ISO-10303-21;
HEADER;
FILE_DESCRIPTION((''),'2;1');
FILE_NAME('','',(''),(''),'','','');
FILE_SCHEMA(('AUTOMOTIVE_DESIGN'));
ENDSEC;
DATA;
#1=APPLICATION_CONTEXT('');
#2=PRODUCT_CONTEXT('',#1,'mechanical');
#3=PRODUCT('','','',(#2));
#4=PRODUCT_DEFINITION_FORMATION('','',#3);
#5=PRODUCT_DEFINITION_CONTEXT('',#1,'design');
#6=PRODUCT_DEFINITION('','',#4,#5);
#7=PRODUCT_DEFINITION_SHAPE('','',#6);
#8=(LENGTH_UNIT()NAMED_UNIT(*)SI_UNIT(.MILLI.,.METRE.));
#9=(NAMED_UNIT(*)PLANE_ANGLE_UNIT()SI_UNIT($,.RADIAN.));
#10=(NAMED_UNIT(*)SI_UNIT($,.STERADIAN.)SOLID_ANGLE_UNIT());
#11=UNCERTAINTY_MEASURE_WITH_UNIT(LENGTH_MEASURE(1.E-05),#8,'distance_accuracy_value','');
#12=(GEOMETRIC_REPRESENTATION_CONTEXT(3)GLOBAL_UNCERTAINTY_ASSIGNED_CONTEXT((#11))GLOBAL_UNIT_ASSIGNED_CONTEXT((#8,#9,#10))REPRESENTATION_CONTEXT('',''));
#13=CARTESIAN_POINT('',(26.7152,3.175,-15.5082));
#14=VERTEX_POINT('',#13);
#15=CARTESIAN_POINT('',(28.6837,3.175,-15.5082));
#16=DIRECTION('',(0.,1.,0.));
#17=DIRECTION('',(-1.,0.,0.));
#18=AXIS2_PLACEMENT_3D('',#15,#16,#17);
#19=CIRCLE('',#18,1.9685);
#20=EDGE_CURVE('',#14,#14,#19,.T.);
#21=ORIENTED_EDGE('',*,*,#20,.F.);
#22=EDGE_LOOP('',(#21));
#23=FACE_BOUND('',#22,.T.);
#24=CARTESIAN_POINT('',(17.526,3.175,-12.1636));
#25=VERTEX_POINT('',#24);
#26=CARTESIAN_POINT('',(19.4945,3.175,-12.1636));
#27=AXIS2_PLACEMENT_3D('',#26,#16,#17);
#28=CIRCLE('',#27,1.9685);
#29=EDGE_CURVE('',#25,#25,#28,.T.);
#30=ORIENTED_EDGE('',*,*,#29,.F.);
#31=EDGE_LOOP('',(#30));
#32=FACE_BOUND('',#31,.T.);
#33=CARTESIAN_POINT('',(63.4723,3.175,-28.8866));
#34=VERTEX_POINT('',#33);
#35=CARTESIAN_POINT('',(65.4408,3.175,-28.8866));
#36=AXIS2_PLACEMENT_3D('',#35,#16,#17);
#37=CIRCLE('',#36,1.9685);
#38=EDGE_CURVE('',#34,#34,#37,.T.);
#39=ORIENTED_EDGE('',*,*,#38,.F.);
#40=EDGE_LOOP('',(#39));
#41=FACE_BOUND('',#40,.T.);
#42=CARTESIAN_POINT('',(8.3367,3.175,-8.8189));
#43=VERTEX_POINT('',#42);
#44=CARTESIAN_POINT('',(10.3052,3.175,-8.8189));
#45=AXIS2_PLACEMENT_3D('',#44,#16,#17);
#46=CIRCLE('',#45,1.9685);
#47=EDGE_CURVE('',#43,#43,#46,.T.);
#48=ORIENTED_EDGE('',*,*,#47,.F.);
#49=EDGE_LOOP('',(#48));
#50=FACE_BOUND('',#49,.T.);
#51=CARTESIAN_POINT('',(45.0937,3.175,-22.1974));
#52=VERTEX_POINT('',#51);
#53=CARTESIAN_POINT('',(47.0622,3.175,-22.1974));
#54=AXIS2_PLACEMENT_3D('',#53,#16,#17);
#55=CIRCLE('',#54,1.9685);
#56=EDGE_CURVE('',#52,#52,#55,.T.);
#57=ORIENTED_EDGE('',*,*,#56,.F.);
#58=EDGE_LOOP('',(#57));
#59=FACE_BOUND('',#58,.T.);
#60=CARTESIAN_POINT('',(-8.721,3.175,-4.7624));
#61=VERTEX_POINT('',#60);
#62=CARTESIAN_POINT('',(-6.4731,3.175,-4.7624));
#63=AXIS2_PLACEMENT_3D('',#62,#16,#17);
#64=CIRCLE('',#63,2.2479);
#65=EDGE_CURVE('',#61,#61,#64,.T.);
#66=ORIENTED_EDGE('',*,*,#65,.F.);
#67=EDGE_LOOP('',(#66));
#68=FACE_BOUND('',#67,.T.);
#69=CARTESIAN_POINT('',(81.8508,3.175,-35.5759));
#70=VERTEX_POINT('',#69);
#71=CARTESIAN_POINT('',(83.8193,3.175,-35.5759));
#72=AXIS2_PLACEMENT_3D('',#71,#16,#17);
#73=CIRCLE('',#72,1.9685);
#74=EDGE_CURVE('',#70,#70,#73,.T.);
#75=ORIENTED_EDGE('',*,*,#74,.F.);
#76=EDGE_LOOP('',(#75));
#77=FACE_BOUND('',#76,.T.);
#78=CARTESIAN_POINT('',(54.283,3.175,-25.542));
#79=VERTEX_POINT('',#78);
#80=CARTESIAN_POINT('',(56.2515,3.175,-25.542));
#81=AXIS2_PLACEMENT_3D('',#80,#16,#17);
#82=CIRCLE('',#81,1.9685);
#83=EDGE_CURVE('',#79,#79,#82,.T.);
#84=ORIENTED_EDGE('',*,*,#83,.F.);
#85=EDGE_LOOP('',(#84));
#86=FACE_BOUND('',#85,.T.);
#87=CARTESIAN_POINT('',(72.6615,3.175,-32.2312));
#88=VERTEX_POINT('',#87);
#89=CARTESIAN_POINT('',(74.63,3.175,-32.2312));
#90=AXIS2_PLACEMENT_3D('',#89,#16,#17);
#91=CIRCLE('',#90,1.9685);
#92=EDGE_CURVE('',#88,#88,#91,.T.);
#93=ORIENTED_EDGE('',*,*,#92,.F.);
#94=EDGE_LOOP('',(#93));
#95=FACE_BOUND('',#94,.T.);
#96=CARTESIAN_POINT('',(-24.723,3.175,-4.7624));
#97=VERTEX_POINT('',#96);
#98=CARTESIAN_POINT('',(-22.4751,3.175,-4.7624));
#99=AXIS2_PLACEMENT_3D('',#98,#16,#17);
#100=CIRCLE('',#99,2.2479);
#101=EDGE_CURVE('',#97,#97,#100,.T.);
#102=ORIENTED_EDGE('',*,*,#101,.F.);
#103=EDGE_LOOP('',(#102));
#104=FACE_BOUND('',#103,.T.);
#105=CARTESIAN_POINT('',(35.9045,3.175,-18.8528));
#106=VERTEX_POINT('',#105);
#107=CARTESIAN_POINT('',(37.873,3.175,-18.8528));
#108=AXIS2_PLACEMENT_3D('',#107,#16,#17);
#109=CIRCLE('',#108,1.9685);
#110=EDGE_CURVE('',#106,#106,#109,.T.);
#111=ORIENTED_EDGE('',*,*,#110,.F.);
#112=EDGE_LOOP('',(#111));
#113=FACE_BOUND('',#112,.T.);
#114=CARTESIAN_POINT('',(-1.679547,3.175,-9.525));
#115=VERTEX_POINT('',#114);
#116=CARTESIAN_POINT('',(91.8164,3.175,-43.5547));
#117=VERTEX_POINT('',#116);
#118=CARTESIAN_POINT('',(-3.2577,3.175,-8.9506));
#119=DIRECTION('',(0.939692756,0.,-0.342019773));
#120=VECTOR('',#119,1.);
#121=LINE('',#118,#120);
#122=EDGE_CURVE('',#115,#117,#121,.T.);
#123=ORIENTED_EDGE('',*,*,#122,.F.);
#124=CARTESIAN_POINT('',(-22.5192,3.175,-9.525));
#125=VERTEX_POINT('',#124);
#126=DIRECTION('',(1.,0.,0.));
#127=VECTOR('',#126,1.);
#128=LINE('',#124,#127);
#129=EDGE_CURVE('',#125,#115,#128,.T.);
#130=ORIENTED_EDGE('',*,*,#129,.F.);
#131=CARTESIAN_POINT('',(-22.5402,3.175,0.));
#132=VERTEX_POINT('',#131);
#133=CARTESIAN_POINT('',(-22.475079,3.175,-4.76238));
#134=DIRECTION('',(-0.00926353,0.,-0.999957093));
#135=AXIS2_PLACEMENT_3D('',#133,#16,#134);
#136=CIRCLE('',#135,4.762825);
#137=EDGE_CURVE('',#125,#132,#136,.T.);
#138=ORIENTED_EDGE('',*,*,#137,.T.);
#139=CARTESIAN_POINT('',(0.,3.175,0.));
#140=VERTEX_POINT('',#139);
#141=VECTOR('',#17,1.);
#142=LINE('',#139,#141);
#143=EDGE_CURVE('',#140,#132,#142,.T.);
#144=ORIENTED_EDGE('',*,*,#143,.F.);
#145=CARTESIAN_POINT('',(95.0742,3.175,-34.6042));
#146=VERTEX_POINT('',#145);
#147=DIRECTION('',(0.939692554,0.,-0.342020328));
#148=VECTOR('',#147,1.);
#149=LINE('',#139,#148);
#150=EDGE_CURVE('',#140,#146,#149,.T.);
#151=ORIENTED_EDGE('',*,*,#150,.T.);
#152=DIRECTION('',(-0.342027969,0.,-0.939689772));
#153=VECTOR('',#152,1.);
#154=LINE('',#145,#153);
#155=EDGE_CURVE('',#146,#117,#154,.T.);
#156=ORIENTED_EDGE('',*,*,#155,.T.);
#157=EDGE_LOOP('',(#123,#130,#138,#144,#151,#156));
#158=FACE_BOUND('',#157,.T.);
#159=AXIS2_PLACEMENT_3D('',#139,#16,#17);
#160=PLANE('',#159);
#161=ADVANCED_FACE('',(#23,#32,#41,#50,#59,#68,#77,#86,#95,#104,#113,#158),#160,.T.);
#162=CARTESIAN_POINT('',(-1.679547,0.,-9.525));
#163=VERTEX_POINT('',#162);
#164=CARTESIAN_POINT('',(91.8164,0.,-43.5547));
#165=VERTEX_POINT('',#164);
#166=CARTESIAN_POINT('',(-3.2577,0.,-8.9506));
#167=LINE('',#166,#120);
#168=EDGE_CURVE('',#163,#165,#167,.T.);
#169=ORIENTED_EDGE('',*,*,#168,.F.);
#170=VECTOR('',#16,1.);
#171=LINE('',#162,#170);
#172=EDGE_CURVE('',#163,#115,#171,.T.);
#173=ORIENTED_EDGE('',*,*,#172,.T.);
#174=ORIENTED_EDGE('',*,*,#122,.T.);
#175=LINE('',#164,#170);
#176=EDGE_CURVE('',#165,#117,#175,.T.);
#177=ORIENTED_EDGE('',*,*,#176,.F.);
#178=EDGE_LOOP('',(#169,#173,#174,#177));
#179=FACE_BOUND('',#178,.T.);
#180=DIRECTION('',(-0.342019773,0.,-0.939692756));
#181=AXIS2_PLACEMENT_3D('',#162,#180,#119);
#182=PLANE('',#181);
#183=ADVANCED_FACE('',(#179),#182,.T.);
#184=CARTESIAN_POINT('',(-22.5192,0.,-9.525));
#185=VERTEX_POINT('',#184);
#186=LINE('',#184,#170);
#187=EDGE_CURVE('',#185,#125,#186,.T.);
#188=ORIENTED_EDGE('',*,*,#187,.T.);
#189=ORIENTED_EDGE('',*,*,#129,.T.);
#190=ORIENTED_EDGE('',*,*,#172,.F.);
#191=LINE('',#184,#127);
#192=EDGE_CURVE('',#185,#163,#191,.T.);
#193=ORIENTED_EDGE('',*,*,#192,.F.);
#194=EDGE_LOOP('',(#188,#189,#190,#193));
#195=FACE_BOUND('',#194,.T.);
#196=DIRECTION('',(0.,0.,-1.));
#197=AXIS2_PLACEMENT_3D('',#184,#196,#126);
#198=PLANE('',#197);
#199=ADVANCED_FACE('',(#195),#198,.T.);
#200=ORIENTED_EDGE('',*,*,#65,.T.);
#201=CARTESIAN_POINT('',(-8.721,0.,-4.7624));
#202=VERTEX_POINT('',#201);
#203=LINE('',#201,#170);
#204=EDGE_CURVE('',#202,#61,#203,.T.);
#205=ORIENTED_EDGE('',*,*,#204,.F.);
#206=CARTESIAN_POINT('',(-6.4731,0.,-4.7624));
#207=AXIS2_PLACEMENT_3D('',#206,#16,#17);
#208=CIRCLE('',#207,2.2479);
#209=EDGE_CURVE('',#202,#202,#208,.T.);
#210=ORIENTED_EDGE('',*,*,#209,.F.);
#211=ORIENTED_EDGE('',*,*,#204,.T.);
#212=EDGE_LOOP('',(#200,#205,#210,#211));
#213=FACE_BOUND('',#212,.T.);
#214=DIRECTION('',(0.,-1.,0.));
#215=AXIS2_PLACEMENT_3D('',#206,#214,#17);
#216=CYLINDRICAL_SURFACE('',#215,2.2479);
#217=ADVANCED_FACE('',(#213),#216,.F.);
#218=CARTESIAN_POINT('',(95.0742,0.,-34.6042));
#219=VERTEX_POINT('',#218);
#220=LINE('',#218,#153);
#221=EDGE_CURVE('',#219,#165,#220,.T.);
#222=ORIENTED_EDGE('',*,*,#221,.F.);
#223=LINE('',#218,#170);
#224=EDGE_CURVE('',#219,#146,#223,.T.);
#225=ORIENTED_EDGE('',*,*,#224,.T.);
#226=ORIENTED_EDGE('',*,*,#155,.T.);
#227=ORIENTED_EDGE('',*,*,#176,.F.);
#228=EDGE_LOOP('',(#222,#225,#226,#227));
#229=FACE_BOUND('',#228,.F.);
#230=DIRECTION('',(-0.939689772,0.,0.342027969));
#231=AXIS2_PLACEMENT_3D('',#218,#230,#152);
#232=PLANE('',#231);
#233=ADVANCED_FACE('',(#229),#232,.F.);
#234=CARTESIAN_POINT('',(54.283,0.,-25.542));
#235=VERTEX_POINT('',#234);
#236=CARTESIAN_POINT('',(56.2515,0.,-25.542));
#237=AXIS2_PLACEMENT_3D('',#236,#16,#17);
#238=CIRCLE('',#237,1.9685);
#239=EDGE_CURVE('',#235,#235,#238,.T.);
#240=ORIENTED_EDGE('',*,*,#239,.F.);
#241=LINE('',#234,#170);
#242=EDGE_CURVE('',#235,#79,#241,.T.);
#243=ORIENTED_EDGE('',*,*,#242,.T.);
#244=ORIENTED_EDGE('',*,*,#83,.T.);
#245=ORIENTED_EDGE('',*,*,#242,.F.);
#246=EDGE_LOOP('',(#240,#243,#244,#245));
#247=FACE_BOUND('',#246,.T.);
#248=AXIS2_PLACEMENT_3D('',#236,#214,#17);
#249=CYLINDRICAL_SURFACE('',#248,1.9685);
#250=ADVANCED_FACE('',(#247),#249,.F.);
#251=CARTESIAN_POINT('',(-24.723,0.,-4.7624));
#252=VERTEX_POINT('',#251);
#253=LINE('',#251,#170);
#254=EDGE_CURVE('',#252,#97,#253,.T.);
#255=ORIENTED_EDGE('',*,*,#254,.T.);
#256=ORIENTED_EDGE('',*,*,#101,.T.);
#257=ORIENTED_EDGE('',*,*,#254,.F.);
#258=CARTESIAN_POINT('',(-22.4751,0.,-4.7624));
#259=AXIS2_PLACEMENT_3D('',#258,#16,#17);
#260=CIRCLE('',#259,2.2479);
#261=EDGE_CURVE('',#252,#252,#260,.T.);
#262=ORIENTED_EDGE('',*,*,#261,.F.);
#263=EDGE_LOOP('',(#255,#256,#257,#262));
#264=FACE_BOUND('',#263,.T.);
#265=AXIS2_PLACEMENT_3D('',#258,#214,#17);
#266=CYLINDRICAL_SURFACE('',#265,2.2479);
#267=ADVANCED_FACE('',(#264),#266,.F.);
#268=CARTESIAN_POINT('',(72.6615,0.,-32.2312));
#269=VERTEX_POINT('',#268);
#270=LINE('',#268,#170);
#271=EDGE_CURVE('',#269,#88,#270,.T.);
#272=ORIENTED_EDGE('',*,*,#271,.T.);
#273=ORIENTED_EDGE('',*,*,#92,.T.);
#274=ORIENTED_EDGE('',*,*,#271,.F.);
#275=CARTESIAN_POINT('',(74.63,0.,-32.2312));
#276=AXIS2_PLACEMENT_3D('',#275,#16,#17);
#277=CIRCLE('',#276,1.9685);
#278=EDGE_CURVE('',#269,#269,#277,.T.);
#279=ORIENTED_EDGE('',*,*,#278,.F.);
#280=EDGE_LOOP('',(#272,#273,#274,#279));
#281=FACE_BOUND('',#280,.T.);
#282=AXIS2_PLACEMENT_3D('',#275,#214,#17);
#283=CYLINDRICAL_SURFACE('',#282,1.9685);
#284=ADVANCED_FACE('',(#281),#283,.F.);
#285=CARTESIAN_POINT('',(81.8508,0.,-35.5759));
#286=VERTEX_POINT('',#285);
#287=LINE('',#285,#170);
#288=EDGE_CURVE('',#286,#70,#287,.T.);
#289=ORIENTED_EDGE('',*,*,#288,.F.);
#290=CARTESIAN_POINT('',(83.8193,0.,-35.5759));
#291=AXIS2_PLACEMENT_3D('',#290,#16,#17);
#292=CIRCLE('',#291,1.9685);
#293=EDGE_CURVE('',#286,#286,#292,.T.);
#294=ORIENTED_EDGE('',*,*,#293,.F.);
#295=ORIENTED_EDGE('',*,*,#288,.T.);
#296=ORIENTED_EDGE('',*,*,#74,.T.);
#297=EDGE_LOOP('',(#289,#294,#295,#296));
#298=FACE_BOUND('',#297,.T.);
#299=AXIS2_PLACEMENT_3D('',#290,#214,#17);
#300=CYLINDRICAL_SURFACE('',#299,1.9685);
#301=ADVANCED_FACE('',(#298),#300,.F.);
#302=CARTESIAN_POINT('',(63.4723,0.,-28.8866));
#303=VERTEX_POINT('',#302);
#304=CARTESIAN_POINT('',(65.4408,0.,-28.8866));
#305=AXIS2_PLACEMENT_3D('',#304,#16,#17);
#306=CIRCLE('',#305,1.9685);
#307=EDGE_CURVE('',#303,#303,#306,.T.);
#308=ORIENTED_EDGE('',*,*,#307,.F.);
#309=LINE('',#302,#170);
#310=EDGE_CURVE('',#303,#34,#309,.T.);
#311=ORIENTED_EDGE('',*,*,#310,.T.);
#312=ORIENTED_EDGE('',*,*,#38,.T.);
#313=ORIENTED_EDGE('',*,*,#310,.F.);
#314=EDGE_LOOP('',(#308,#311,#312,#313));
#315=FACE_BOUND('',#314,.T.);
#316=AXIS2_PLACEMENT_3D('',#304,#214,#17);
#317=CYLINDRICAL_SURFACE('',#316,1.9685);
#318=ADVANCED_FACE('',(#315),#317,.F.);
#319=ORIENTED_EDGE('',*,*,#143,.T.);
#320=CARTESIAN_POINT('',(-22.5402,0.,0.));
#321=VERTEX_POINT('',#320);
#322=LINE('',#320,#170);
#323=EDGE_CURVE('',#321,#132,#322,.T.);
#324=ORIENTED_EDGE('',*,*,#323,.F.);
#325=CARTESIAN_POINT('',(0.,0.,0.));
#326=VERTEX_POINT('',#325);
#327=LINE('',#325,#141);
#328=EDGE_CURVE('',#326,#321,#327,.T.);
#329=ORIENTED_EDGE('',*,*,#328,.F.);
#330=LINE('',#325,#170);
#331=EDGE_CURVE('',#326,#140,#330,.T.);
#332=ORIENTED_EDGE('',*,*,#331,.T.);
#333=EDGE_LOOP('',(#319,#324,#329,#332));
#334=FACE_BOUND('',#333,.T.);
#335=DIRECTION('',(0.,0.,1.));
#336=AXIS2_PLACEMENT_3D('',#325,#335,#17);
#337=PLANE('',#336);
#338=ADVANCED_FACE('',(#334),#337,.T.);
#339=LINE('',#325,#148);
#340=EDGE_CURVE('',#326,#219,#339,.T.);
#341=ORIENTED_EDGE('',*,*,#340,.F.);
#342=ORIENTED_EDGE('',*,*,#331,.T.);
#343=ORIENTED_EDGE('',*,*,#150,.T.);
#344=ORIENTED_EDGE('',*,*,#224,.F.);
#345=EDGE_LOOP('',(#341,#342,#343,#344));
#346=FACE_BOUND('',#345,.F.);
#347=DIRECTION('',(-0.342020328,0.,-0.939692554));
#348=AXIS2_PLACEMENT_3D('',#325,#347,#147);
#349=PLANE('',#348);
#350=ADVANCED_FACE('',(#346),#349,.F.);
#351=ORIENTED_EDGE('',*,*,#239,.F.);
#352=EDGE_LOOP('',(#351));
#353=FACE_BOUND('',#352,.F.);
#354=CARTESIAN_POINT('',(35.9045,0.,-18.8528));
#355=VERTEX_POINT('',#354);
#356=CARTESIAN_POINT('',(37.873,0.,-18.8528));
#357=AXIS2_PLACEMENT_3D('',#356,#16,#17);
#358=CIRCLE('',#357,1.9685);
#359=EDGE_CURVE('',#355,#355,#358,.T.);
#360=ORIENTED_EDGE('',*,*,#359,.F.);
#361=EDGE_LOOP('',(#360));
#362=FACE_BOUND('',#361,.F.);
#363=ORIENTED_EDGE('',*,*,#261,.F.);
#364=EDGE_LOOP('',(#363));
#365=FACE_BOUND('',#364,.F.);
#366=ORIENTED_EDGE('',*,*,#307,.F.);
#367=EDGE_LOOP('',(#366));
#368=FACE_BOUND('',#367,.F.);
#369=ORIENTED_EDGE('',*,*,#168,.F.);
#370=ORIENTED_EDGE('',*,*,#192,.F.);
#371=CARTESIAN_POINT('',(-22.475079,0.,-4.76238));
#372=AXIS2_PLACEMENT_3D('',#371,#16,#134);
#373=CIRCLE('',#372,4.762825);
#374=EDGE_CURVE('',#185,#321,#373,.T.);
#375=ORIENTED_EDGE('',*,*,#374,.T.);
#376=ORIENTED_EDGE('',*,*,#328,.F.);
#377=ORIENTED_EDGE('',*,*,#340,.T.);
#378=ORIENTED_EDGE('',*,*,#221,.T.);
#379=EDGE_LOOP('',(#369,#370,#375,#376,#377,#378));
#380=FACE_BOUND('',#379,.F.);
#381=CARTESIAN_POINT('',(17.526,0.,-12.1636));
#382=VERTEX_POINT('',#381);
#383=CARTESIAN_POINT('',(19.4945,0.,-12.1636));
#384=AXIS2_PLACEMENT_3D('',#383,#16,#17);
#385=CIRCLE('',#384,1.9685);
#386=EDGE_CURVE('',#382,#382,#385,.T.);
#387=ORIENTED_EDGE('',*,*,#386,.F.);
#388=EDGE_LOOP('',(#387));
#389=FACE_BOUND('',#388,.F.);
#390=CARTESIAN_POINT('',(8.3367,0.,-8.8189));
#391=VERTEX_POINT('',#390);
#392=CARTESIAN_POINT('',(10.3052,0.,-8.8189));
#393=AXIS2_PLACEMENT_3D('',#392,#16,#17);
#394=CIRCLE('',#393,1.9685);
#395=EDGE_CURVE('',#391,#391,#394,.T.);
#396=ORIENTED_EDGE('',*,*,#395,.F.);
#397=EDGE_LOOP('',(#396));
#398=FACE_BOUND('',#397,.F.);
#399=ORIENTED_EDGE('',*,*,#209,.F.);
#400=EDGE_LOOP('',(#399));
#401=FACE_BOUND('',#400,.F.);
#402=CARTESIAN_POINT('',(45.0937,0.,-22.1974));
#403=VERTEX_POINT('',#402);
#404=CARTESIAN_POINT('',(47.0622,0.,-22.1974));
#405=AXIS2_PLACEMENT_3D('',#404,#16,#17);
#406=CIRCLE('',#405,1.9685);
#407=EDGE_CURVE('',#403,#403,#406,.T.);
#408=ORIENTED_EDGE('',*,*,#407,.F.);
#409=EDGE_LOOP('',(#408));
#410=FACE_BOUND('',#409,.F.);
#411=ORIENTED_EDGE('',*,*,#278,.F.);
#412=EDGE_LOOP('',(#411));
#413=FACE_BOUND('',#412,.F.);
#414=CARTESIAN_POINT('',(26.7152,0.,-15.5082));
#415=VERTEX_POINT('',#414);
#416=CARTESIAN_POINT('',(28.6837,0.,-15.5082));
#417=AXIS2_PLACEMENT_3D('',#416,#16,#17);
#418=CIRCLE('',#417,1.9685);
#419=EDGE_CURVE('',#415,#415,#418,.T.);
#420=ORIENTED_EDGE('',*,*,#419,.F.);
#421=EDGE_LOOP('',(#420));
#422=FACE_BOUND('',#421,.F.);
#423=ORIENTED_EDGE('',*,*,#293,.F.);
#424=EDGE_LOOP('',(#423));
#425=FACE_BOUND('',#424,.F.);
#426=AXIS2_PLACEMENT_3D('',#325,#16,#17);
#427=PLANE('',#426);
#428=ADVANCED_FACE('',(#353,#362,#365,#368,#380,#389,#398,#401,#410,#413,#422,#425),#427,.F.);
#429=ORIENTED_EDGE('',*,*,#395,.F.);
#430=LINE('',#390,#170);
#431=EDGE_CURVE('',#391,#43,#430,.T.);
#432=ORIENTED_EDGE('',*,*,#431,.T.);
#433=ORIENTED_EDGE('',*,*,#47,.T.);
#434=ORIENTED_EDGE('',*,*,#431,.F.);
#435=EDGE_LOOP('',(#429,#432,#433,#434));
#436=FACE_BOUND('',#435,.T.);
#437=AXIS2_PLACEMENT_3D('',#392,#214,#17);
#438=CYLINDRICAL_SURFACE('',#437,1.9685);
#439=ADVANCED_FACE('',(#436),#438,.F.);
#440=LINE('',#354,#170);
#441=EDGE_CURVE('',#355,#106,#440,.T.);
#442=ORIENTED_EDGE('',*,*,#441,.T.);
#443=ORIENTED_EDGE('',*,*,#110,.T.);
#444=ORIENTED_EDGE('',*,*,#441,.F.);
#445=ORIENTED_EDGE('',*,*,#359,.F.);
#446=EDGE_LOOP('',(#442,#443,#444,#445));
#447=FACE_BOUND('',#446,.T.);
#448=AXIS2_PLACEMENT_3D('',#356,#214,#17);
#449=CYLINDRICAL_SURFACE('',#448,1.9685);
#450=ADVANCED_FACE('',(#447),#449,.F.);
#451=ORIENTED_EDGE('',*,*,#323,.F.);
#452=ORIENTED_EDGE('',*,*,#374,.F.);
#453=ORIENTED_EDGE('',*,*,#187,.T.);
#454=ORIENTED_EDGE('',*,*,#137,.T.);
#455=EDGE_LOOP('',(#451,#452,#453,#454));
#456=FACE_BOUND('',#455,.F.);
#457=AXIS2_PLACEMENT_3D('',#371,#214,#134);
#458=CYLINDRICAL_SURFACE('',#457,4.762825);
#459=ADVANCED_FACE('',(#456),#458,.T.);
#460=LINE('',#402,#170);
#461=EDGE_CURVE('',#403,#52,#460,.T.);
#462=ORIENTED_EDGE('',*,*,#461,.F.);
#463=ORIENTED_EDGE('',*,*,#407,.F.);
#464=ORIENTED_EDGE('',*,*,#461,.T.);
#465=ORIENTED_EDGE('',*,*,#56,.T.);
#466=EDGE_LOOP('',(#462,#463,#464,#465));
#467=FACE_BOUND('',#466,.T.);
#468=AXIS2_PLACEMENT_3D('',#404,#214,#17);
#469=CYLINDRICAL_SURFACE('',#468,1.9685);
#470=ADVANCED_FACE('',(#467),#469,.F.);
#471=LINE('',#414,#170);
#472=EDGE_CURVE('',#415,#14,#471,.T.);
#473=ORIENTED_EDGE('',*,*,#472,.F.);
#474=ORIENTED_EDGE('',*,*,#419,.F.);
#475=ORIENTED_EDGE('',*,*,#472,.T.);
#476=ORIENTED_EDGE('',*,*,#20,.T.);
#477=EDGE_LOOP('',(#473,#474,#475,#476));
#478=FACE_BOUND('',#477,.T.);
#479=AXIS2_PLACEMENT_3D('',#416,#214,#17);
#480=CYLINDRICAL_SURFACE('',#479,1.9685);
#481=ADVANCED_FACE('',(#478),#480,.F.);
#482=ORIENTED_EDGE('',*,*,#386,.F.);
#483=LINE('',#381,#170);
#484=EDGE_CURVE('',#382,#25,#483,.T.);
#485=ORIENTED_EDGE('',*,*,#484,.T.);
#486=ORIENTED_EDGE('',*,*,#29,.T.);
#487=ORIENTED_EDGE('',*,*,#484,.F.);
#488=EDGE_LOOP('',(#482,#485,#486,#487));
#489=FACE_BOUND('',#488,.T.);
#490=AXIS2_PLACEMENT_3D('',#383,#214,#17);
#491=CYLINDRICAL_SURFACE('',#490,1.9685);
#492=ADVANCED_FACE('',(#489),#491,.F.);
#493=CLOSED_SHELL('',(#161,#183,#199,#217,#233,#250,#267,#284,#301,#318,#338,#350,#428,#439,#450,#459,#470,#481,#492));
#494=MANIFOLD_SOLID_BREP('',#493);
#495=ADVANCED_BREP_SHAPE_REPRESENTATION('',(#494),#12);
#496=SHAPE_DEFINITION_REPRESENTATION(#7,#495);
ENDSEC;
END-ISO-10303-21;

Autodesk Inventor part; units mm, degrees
ref_plane "YZ Plane" through (0, 0, 0) normal (1, 0, 0) x (0, 1, 0)
ref_plane "XZ Plane" through (0, 0, 0) normal (0, 1, 0) x (-1, 0, 0)
ref_plane "XY Plane" through (0, 0, 0) normal (0, 0, 1) x (1, 0, 0)
sketch "Sketch1" plane through (0, 0, 0) normal (0, 1, 0) x (-1, 0, 0)
  line L0 (0, 0) -> (22.5402, 0)
  line L1 (22.5192, -9.525) -> (-0.0106, -9.525)
  line L2 (-0.0106, -9.525) -> (0, 0)
  arc A0 (22.5192, -9.525) -> (22.5402, 0) centre (22.4751, -4.7624) ccw
  line L3 (0, 0) -> (-95.0742, -34.6042)
  line L4 (0, 0) -> (101.1758, 0) construction
  line L5 (-95.0742, -34.6042) -> (-91.8164, -43.5547)
  line L6 (0, 0) -> (3.2577, -8.9506)
  line L7 (3.2577, -8.9506) -> (-91.8164, -43.5547)
  circle A1 centre (22.4751, -4.7624) radius 2.2479
  line L8 (22.4751, -4.7624) -> (6.4731, -4.7624) construction
  circle A2 centre (6.4731, -4.7624) radius 2.2479
  line L9 (1.6289, -4.4753) -> (-10.3052, -8.8189) construction
  circle A3 centre (-10.3052, -8.8189) radius 1.9685
  line L10 (1.6289, -4.4753) -> (-93.4453, -39.0795) construction
  circle A4 centre (-19.4945, -12.1636) radius 1.9685
  circle A5 centre (-28.6837, -15.5082) radius 1.9685
  circle A6 centre (-37.873, -18.8528) radius 1.9685
  circle A7 centre (-47.0622, -22.1974) radius 1.9685
  circle A8 centre (-56.2515, -25.542) radius 1.9685
  circle A9 centre (-65.4408, -28.8866) radius 1.9685
  circle A10 centre (-74.63, -32.2312) radius 1.9685
  circle A11 centre (-83.8193, -35.5759) radius 1.9685
  line L11 (22.4751, -4.7624) -> (6.4456, -4.7624) construction
  line L12 (6.4456, -4.7624) -> (6.4456, 11.2396) construction
  line L13 (6.4456, 11.2396) -> (22.4751, 11.2396) construction
  line L14 (22.4751, 11.2396) -> (22.4751, -4.7624) construction
  line L15 (14.4604, 11.2396) -> (14.4604, -4.7624) construction
  line L16 (22.4751, 3.2386) -> (6.4456, 3.2386) construction
  circle A12 centre (14.4604, 3.2386) radius 1.27 construction
  dimension "d0" = 22.5298
  dimension "d1" = 9.525
  dimension "d2" = 4.7628
  dimension "d4" = 160
  dimension "d7" = 9.525
  dimension "d8" = 9.525
  dimension "d9" = 4.4958
  dimension "d10" = 16.002
  dimension "d11" = 4.4958
  dimension "d12" = 12.7
  dimension "d13" = 3.937
  dimension "d14" = 4.7625
  dimension "d15" = 3.937
  dimension "d16" = 9.779
  dimension "d17" = 3.937
  dimension "d18" = 9.779
  dimension "d19" = 3.937
  dimension "d20" = 9.779
  dimension "d21" = 3.937
  dimension "d22" = 9.779
  dimension "d23" = 3.937
  dimension "d24" = 9.779
  dimension "d25" = 3.937
  dimension "d26" = 9.779
  dimension "d27" = 3.937
  dimension "d28" = 9.779
  dimension "d29" = 3.937
  dimension "d30" = 9.779
  dimension "d31" = 16.002
  dimension "d32" = 2.54
  dimension "d33" = 115.8874
extrude "Extrusion1" add sketch "Sketch1" along normal blind 3.175
properties part number "CollectorArm160"
